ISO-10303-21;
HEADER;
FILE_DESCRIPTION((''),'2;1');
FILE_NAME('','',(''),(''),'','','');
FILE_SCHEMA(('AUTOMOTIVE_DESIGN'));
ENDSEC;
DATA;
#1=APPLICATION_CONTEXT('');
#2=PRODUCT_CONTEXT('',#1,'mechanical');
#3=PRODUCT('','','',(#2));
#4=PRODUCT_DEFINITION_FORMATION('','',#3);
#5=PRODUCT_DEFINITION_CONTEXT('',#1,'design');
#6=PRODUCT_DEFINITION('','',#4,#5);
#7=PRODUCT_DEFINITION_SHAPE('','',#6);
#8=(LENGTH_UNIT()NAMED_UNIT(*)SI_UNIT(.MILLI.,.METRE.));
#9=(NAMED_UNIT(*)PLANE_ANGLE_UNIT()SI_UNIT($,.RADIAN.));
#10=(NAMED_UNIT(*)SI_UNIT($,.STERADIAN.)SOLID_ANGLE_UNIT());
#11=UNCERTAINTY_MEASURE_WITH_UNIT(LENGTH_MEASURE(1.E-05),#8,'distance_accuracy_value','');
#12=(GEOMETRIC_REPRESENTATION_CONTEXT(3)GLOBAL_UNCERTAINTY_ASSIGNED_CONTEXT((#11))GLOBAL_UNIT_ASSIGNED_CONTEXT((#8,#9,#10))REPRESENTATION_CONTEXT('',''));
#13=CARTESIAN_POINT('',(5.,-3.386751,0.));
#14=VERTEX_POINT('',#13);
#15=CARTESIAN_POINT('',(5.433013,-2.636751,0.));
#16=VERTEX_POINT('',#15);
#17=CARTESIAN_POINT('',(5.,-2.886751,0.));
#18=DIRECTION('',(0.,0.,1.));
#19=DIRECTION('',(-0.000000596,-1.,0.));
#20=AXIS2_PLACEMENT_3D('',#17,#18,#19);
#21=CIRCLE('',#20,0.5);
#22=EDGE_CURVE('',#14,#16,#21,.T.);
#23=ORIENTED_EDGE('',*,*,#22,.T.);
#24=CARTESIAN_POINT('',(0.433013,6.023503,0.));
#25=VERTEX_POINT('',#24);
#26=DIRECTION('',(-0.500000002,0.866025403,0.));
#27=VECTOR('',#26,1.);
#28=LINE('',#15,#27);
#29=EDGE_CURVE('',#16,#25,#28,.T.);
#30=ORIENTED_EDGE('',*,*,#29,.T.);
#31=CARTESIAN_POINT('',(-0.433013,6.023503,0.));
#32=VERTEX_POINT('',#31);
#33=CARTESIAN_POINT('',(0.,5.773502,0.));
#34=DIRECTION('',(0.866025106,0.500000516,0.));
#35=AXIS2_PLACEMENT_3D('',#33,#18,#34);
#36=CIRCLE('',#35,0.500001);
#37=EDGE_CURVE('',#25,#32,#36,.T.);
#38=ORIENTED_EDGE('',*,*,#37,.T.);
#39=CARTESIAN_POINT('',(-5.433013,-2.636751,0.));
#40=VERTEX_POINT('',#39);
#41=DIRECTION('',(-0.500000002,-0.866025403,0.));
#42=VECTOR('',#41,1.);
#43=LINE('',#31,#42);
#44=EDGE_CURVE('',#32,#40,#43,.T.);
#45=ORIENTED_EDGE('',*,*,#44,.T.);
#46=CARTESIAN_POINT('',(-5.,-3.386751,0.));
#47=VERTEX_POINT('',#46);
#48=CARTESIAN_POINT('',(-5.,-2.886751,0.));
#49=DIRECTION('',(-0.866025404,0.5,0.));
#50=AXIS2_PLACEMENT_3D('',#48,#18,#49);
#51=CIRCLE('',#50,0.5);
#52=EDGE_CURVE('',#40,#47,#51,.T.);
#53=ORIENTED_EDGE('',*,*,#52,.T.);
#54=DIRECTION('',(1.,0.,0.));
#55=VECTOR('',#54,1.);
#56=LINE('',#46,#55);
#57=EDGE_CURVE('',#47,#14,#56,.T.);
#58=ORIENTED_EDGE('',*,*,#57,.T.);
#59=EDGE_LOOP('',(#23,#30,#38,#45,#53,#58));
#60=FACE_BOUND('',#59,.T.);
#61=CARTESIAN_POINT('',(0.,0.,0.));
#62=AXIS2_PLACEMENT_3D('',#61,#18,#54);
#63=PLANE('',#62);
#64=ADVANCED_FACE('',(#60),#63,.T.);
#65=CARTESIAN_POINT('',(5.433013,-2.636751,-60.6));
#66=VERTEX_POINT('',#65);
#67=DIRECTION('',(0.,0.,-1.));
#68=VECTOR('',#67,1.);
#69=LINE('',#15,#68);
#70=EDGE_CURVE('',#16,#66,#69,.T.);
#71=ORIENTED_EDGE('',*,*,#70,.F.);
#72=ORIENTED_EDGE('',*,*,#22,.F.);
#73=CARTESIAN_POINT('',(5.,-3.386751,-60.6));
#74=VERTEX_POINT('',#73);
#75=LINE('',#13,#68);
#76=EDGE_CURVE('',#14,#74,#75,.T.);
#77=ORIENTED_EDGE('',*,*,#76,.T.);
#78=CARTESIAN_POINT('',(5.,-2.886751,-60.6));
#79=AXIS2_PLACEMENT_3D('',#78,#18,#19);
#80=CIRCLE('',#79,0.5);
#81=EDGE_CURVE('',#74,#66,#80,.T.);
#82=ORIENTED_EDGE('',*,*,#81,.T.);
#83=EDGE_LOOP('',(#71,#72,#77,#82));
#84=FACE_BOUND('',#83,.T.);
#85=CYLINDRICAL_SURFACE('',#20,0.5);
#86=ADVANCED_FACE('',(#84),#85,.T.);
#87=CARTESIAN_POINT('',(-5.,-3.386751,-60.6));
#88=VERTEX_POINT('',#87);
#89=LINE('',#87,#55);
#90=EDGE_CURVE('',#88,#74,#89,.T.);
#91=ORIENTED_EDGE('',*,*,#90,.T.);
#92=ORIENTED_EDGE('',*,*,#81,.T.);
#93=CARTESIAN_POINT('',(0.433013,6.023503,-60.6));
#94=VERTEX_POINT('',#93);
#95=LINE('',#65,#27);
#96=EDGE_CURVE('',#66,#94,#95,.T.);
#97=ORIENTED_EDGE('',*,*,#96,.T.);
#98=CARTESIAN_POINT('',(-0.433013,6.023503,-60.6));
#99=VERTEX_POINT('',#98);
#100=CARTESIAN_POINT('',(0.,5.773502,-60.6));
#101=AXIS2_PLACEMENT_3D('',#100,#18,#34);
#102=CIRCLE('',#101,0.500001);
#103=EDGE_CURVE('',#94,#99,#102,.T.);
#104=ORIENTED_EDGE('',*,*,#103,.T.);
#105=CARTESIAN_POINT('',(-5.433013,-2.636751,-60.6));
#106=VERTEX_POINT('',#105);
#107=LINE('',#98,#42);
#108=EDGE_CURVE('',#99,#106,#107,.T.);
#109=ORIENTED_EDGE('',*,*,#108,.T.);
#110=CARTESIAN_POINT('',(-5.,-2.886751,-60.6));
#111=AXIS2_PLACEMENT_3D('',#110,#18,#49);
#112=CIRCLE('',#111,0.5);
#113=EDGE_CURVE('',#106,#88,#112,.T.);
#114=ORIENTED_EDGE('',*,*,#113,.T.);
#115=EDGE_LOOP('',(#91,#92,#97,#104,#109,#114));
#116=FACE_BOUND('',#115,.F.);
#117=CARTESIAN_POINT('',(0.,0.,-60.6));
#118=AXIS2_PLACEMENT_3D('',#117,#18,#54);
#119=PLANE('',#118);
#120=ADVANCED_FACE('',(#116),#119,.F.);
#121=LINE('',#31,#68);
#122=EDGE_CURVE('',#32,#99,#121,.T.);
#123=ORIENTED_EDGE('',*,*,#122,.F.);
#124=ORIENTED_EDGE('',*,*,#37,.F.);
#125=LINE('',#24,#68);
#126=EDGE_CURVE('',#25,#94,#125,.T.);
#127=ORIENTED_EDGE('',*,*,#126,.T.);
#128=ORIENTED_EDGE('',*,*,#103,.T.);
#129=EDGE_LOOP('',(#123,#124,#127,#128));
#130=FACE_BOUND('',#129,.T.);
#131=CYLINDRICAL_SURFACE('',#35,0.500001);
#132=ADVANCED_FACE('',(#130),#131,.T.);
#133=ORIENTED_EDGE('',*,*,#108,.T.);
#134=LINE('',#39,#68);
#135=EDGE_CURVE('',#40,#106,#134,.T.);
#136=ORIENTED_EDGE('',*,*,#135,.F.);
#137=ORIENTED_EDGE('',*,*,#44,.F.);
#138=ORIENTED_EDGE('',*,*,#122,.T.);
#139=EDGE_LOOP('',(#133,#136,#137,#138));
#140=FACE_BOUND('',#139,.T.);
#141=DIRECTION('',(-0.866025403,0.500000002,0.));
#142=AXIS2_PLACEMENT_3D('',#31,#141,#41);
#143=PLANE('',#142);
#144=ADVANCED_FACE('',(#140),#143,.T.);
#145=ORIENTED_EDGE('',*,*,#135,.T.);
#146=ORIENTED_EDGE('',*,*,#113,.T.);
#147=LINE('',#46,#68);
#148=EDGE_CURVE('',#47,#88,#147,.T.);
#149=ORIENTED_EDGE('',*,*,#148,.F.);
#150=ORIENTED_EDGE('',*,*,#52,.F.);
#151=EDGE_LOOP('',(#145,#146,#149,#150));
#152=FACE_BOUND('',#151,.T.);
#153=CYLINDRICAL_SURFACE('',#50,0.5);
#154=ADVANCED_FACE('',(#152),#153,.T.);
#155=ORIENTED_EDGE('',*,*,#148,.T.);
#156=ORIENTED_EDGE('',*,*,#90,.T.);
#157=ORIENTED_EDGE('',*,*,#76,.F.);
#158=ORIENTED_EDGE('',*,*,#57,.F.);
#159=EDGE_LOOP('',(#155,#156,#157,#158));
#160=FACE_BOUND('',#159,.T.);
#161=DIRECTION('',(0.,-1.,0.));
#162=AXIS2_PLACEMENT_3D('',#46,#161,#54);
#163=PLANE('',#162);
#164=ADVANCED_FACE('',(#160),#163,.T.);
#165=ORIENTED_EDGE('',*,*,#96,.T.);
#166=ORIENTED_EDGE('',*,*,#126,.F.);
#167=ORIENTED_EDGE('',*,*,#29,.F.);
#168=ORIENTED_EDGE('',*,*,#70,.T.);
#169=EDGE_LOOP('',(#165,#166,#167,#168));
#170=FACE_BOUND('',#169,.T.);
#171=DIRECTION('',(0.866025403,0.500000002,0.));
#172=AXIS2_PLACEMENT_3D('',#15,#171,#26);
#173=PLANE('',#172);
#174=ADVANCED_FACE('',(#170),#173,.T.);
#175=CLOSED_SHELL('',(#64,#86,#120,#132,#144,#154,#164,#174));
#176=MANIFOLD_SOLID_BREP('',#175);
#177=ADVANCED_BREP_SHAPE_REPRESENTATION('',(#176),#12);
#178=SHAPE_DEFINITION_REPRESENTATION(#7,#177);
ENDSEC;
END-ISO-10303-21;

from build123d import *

# Parameters (mm, degrees)
F1_DEPTH = 60.6


with BuildPart() as f1:
    # F0 (on Top) → F1 (new body)
    with BuildSketch(Plane.XY):
        with BuildLine():
            Line((5.433013, -2.636751), (0.433013, 6.023503))
            ThreePointArc((0.433013, 6.023503), (0, 6.273503), (-0.433013, 6.023503))
            Line((-0.433013, 6.023503), (-5.433013, -2.636751))
            ThreePointArc((-5.433013, -2.636751), (-5.433013, -3.136751), (-5, -3.386751))
            Line((-5, -3.386751), (5, -3.386751))
            ThreePointArc((5, -3.386751), (5.433013, -3.136751), (5.433013, -2.636751))
        make_face()
    extrude(amount=-F1_DEPTH)


solid = f1.part
